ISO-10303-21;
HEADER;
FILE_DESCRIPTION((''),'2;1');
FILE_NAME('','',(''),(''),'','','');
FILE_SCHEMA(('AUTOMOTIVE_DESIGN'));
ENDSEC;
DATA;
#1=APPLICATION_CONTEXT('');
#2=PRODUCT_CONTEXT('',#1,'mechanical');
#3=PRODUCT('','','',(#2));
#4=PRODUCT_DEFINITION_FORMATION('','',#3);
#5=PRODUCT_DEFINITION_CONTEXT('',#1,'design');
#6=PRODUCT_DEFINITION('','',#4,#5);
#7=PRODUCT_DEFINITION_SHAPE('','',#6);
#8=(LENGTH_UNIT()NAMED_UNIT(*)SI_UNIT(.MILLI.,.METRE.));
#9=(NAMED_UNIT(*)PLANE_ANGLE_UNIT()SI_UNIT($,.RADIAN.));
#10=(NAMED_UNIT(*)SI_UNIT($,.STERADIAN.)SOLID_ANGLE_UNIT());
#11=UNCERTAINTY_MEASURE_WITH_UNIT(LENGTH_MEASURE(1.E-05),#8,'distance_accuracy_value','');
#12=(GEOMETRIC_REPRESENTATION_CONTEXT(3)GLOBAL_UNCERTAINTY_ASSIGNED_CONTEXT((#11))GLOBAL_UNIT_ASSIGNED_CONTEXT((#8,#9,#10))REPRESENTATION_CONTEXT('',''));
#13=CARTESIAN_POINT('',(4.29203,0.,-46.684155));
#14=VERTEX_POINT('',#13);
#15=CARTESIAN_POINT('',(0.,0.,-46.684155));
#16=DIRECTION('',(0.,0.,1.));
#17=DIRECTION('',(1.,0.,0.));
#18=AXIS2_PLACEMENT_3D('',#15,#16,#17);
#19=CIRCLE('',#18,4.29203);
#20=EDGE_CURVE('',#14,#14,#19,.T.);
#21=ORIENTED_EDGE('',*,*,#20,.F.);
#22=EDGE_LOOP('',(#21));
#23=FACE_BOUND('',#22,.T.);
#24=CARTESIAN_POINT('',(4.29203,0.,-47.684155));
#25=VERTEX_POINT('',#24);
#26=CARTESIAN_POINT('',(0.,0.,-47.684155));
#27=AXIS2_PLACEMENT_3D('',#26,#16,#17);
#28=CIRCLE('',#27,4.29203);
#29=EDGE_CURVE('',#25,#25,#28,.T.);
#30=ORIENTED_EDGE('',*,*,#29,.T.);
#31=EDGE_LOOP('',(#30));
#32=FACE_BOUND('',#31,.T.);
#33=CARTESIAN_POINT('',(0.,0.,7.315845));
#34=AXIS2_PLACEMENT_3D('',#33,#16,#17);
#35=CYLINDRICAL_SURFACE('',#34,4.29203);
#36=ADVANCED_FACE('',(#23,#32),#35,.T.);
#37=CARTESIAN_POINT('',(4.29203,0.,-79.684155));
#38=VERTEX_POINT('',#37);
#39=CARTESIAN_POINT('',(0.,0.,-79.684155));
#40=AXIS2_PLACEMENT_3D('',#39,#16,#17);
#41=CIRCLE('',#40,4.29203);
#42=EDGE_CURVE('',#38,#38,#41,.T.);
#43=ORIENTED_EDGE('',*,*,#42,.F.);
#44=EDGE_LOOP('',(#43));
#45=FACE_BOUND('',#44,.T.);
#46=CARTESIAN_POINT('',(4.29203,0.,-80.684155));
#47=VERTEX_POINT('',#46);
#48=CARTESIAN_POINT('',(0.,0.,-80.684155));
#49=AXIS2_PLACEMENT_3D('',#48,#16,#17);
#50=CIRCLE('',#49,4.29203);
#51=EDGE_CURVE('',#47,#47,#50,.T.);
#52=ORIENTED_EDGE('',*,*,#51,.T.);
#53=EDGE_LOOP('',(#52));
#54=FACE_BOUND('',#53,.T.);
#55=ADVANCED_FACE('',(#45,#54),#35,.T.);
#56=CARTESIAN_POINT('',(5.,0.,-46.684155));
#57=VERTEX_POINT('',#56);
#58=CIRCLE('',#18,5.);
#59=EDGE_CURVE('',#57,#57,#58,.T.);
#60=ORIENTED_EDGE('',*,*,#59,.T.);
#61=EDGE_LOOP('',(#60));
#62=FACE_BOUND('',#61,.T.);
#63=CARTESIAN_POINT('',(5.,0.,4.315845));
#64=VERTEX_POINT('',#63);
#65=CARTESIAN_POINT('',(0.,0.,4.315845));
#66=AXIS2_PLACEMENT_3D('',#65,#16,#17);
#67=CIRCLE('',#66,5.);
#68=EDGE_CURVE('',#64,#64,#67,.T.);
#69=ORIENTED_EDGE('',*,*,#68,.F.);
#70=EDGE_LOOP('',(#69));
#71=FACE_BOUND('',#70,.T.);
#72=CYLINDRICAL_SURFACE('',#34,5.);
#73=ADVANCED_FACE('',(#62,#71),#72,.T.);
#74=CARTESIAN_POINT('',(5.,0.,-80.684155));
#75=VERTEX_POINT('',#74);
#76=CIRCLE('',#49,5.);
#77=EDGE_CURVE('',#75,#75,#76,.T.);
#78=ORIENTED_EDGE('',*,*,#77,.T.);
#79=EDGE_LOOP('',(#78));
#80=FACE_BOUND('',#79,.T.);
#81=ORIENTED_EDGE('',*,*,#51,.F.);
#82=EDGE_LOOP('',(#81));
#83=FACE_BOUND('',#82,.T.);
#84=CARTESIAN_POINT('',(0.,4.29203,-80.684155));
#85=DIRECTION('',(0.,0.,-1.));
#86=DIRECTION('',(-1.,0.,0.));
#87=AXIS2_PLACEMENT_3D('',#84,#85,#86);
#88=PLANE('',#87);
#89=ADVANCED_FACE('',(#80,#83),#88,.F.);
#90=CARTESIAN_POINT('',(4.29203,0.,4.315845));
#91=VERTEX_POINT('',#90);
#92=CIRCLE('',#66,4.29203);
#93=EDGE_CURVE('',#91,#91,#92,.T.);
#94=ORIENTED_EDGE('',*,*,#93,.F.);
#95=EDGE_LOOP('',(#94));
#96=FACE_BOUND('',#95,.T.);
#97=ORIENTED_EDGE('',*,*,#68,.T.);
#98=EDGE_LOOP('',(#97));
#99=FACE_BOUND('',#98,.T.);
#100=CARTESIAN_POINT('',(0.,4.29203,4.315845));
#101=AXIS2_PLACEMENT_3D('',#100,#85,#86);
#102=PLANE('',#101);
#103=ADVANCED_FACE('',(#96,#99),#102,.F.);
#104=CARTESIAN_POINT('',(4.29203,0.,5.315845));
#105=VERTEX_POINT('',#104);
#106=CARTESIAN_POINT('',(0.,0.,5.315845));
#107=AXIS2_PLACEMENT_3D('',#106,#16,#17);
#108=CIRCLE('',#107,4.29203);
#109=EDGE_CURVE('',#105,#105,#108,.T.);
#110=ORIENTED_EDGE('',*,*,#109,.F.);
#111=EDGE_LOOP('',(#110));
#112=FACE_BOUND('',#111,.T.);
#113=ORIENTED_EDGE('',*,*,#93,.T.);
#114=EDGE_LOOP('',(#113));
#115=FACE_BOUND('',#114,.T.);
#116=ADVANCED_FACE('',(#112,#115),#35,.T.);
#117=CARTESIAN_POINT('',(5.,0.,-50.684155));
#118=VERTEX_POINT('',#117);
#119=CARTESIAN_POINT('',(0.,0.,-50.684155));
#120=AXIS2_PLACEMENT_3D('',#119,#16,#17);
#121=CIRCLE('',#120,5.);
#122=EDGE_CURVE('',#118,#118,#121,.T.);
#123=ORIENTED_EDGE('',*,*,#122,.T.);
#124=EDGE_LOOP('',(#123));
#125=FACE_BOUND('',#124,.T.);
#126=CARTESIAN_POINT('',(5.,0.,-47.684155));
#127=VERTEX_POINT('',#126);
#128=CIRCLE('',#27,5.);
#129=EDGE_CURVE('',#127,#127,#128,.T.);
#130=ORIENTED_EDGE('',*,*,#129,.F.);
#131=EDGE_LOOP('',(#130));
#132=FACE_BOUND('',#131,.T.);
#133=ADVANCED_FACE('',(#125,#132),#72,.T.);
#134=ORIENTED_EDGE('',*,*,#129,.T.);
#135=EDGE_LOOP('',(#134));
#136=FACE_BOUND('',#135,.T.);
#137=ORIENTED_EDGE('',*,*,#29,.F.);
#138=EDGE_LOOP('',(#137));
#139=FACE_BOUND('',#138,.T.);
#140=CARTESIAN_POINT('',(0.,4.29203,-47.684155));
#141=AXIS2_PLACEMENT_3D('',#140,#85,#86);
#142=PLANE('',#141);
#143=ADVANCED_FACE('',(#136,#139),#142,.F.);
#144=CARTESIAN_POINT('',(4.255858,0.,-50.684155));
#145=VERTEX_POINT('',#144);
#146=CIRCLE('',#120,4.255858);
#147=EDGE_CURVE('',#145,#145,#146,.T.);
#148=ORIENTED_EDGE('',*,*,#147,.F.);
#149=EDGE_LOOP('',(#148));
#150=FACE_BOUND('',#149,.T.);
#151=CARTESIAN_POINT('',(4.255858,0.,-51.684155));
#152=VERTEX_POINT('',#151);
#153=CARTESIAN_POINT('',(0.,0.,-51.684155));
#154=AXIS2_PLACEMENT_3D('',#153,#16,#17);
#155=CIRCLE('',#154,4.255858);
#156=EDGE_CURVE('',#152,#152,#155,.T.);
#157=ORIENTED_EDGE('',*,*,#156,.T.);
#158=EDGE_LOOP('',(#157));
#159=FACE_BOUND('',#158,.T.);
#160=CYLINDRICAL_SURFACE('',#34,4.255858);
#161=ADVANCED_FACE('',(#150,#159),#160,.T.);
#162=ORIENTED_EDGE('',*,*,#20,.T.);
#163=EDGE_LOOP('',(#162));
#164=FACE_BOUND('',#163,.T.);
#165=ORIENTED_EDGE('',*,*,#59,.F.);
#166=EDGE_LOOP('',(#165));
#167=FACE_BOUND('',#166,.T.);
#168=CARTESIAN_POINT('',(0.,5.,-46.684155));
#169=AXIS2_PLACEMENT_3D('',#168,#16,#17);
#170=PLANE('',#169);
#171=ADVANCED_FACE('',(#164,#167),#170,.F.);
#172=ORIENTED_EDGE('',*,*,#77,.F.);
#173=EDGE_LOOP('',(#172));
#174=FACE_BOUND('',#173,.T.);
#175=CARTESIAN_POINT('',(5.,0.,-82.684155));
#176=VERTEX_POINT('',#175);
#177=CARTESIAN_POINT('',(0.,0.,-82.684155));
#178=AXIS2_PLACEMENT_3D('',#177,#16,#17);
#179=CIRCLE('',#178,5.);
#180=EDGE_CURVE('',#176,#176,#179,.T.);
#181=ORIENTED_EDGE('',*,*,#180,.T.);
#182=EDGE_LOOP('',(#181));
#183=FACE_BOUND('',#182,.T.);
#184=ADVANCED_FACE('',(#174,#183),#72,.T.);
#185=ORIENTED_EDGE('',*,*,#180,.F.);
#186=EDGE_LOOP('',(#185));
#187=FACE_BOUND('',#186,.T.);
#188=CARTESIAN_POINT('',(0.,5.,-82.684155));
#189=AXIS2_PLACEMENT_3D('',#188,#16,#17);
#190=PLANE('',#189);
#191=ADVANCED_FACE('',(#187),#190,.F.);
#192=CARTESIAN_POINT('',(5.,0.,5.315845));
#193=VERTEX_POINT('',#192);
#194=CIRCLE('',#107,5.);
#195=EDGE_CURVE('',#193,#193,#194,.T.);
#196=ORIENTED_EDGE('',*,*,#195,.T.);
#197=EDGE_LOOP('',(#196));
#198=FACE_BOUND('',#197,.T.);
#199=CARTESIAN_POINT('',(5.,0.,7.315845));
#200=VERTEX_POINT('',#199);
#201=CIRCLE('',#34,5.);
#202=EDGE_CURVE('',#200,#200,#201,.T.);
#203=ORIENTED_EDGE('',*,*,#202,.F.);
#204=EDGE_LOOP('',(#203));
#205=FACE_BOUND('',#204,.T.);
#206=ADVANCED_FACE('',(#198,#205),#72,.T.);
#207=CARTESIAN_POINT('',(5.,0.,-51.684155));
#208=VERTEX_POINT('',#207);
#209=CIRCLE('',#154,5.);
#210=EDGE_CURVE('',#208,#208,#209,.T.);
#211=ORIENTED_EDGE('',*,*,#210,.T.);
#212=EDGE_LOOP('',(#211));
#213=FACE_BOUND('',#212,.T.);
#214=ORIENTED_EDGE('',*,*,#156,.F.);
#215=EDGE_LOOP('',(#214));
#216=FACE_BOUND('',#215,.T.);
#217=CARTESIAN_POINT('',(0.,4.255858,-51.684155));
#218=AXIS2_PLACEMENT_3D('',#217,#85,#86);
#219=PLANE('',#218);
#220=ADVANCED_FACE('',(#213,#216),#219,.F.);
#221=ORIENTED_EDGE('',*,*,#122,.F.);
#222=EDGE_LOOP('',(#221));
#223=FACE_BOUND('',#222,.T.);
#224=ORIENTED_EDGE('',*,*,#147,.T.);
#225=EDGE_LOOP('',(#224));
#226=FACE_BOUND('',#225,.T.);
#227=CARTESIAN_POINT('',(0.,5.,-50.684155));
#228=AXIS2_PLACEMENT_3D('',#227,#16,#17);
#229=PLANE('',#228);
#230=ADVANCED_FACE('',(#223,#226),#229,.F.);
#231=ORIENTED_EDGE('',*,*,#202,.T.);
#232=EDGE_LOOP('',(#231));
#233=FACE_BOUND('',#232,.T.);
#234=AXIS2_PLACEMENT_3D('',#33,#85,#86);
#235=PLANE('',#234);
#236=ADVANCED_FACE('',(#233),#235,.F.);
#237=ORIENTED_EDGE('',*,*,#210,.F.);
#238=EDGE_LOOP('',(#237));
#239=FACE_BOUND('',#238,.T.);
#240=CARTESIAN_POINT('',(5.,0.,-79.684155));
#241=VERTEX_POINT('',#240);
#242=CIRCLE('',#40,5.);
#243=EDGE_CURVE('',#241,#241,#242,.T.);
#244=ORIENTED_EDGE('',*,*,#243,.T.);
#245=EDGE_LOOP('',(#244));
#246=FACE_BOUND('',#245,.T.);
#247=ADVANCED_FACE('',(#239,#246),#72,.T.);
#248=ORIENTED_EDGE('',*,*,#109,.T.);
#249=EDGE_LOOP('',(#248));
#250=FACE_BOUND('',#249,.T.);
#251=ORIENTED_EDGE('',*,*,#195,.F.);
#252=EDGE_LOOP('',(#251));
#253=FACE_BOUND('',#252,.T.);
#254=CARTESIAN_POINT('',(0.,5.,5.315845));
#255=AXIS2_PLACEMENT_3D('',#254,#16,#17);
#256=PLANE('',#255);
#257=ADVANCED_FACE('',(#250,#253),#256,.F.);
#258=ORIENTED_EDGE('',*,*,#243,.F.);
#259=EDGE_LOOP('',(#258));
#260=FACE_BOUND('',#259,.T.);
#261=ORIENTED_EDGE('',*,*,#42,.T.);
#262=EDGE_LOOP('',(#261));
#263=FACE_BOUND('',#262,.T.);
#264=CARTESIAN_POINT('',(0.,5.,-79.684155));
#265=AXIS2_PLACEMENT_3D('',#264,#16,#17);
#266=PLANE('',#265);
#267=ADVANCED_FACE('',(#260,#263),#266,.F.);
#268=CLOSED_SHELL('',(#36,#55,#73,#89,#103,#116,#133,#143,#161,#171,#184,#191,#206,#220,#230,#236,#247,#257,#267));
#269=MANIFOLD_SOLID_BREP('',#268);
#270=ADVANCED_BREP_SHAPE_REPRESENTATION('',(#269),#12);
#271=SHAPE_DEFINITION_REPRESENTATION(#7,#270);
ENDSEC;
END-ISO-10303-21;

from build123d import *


with BuildPart() as part:
    # Skizze1 → Rotation1 (revolve)
    with BuildSketch(Plane(origin=(0, 0, 0), x_dir=(0, 0, -1), z_dir=(1, 0, 0)), mode=Mode.PRIVATE) as rotation1_sk:
        Polygon((-7.315845432, 0), (-7.315845432, 5), (-5.315845432, 5), (-5.315845432, 4.292030432), (-4.315845432, 4.292030432), (-4.315845432, 5), (46.684154568, 5), (46.684154568, 4.292030432), (47.684154568, 4.292030432), (47.684154568, 5), (50.684154568, 5), (50.684154568, 4.255858279), (51.684154568, 4.255858279), (51.684154568, 5), (79.684154568, 5), (79.684154568, 4.292030432), (80.684154568, 4.292030432), (80.684154568, 5), (82.684154568, 5), (82.684154568, 0), align=None)
    revolve(rotation1_sk.sketch.rotate(Axis((0, 0, 7.315845432), (0, 0, -1)), 90), axis=Axis((0, 0, 7.315845432), (0, 0, -1)))


solid = part.part
